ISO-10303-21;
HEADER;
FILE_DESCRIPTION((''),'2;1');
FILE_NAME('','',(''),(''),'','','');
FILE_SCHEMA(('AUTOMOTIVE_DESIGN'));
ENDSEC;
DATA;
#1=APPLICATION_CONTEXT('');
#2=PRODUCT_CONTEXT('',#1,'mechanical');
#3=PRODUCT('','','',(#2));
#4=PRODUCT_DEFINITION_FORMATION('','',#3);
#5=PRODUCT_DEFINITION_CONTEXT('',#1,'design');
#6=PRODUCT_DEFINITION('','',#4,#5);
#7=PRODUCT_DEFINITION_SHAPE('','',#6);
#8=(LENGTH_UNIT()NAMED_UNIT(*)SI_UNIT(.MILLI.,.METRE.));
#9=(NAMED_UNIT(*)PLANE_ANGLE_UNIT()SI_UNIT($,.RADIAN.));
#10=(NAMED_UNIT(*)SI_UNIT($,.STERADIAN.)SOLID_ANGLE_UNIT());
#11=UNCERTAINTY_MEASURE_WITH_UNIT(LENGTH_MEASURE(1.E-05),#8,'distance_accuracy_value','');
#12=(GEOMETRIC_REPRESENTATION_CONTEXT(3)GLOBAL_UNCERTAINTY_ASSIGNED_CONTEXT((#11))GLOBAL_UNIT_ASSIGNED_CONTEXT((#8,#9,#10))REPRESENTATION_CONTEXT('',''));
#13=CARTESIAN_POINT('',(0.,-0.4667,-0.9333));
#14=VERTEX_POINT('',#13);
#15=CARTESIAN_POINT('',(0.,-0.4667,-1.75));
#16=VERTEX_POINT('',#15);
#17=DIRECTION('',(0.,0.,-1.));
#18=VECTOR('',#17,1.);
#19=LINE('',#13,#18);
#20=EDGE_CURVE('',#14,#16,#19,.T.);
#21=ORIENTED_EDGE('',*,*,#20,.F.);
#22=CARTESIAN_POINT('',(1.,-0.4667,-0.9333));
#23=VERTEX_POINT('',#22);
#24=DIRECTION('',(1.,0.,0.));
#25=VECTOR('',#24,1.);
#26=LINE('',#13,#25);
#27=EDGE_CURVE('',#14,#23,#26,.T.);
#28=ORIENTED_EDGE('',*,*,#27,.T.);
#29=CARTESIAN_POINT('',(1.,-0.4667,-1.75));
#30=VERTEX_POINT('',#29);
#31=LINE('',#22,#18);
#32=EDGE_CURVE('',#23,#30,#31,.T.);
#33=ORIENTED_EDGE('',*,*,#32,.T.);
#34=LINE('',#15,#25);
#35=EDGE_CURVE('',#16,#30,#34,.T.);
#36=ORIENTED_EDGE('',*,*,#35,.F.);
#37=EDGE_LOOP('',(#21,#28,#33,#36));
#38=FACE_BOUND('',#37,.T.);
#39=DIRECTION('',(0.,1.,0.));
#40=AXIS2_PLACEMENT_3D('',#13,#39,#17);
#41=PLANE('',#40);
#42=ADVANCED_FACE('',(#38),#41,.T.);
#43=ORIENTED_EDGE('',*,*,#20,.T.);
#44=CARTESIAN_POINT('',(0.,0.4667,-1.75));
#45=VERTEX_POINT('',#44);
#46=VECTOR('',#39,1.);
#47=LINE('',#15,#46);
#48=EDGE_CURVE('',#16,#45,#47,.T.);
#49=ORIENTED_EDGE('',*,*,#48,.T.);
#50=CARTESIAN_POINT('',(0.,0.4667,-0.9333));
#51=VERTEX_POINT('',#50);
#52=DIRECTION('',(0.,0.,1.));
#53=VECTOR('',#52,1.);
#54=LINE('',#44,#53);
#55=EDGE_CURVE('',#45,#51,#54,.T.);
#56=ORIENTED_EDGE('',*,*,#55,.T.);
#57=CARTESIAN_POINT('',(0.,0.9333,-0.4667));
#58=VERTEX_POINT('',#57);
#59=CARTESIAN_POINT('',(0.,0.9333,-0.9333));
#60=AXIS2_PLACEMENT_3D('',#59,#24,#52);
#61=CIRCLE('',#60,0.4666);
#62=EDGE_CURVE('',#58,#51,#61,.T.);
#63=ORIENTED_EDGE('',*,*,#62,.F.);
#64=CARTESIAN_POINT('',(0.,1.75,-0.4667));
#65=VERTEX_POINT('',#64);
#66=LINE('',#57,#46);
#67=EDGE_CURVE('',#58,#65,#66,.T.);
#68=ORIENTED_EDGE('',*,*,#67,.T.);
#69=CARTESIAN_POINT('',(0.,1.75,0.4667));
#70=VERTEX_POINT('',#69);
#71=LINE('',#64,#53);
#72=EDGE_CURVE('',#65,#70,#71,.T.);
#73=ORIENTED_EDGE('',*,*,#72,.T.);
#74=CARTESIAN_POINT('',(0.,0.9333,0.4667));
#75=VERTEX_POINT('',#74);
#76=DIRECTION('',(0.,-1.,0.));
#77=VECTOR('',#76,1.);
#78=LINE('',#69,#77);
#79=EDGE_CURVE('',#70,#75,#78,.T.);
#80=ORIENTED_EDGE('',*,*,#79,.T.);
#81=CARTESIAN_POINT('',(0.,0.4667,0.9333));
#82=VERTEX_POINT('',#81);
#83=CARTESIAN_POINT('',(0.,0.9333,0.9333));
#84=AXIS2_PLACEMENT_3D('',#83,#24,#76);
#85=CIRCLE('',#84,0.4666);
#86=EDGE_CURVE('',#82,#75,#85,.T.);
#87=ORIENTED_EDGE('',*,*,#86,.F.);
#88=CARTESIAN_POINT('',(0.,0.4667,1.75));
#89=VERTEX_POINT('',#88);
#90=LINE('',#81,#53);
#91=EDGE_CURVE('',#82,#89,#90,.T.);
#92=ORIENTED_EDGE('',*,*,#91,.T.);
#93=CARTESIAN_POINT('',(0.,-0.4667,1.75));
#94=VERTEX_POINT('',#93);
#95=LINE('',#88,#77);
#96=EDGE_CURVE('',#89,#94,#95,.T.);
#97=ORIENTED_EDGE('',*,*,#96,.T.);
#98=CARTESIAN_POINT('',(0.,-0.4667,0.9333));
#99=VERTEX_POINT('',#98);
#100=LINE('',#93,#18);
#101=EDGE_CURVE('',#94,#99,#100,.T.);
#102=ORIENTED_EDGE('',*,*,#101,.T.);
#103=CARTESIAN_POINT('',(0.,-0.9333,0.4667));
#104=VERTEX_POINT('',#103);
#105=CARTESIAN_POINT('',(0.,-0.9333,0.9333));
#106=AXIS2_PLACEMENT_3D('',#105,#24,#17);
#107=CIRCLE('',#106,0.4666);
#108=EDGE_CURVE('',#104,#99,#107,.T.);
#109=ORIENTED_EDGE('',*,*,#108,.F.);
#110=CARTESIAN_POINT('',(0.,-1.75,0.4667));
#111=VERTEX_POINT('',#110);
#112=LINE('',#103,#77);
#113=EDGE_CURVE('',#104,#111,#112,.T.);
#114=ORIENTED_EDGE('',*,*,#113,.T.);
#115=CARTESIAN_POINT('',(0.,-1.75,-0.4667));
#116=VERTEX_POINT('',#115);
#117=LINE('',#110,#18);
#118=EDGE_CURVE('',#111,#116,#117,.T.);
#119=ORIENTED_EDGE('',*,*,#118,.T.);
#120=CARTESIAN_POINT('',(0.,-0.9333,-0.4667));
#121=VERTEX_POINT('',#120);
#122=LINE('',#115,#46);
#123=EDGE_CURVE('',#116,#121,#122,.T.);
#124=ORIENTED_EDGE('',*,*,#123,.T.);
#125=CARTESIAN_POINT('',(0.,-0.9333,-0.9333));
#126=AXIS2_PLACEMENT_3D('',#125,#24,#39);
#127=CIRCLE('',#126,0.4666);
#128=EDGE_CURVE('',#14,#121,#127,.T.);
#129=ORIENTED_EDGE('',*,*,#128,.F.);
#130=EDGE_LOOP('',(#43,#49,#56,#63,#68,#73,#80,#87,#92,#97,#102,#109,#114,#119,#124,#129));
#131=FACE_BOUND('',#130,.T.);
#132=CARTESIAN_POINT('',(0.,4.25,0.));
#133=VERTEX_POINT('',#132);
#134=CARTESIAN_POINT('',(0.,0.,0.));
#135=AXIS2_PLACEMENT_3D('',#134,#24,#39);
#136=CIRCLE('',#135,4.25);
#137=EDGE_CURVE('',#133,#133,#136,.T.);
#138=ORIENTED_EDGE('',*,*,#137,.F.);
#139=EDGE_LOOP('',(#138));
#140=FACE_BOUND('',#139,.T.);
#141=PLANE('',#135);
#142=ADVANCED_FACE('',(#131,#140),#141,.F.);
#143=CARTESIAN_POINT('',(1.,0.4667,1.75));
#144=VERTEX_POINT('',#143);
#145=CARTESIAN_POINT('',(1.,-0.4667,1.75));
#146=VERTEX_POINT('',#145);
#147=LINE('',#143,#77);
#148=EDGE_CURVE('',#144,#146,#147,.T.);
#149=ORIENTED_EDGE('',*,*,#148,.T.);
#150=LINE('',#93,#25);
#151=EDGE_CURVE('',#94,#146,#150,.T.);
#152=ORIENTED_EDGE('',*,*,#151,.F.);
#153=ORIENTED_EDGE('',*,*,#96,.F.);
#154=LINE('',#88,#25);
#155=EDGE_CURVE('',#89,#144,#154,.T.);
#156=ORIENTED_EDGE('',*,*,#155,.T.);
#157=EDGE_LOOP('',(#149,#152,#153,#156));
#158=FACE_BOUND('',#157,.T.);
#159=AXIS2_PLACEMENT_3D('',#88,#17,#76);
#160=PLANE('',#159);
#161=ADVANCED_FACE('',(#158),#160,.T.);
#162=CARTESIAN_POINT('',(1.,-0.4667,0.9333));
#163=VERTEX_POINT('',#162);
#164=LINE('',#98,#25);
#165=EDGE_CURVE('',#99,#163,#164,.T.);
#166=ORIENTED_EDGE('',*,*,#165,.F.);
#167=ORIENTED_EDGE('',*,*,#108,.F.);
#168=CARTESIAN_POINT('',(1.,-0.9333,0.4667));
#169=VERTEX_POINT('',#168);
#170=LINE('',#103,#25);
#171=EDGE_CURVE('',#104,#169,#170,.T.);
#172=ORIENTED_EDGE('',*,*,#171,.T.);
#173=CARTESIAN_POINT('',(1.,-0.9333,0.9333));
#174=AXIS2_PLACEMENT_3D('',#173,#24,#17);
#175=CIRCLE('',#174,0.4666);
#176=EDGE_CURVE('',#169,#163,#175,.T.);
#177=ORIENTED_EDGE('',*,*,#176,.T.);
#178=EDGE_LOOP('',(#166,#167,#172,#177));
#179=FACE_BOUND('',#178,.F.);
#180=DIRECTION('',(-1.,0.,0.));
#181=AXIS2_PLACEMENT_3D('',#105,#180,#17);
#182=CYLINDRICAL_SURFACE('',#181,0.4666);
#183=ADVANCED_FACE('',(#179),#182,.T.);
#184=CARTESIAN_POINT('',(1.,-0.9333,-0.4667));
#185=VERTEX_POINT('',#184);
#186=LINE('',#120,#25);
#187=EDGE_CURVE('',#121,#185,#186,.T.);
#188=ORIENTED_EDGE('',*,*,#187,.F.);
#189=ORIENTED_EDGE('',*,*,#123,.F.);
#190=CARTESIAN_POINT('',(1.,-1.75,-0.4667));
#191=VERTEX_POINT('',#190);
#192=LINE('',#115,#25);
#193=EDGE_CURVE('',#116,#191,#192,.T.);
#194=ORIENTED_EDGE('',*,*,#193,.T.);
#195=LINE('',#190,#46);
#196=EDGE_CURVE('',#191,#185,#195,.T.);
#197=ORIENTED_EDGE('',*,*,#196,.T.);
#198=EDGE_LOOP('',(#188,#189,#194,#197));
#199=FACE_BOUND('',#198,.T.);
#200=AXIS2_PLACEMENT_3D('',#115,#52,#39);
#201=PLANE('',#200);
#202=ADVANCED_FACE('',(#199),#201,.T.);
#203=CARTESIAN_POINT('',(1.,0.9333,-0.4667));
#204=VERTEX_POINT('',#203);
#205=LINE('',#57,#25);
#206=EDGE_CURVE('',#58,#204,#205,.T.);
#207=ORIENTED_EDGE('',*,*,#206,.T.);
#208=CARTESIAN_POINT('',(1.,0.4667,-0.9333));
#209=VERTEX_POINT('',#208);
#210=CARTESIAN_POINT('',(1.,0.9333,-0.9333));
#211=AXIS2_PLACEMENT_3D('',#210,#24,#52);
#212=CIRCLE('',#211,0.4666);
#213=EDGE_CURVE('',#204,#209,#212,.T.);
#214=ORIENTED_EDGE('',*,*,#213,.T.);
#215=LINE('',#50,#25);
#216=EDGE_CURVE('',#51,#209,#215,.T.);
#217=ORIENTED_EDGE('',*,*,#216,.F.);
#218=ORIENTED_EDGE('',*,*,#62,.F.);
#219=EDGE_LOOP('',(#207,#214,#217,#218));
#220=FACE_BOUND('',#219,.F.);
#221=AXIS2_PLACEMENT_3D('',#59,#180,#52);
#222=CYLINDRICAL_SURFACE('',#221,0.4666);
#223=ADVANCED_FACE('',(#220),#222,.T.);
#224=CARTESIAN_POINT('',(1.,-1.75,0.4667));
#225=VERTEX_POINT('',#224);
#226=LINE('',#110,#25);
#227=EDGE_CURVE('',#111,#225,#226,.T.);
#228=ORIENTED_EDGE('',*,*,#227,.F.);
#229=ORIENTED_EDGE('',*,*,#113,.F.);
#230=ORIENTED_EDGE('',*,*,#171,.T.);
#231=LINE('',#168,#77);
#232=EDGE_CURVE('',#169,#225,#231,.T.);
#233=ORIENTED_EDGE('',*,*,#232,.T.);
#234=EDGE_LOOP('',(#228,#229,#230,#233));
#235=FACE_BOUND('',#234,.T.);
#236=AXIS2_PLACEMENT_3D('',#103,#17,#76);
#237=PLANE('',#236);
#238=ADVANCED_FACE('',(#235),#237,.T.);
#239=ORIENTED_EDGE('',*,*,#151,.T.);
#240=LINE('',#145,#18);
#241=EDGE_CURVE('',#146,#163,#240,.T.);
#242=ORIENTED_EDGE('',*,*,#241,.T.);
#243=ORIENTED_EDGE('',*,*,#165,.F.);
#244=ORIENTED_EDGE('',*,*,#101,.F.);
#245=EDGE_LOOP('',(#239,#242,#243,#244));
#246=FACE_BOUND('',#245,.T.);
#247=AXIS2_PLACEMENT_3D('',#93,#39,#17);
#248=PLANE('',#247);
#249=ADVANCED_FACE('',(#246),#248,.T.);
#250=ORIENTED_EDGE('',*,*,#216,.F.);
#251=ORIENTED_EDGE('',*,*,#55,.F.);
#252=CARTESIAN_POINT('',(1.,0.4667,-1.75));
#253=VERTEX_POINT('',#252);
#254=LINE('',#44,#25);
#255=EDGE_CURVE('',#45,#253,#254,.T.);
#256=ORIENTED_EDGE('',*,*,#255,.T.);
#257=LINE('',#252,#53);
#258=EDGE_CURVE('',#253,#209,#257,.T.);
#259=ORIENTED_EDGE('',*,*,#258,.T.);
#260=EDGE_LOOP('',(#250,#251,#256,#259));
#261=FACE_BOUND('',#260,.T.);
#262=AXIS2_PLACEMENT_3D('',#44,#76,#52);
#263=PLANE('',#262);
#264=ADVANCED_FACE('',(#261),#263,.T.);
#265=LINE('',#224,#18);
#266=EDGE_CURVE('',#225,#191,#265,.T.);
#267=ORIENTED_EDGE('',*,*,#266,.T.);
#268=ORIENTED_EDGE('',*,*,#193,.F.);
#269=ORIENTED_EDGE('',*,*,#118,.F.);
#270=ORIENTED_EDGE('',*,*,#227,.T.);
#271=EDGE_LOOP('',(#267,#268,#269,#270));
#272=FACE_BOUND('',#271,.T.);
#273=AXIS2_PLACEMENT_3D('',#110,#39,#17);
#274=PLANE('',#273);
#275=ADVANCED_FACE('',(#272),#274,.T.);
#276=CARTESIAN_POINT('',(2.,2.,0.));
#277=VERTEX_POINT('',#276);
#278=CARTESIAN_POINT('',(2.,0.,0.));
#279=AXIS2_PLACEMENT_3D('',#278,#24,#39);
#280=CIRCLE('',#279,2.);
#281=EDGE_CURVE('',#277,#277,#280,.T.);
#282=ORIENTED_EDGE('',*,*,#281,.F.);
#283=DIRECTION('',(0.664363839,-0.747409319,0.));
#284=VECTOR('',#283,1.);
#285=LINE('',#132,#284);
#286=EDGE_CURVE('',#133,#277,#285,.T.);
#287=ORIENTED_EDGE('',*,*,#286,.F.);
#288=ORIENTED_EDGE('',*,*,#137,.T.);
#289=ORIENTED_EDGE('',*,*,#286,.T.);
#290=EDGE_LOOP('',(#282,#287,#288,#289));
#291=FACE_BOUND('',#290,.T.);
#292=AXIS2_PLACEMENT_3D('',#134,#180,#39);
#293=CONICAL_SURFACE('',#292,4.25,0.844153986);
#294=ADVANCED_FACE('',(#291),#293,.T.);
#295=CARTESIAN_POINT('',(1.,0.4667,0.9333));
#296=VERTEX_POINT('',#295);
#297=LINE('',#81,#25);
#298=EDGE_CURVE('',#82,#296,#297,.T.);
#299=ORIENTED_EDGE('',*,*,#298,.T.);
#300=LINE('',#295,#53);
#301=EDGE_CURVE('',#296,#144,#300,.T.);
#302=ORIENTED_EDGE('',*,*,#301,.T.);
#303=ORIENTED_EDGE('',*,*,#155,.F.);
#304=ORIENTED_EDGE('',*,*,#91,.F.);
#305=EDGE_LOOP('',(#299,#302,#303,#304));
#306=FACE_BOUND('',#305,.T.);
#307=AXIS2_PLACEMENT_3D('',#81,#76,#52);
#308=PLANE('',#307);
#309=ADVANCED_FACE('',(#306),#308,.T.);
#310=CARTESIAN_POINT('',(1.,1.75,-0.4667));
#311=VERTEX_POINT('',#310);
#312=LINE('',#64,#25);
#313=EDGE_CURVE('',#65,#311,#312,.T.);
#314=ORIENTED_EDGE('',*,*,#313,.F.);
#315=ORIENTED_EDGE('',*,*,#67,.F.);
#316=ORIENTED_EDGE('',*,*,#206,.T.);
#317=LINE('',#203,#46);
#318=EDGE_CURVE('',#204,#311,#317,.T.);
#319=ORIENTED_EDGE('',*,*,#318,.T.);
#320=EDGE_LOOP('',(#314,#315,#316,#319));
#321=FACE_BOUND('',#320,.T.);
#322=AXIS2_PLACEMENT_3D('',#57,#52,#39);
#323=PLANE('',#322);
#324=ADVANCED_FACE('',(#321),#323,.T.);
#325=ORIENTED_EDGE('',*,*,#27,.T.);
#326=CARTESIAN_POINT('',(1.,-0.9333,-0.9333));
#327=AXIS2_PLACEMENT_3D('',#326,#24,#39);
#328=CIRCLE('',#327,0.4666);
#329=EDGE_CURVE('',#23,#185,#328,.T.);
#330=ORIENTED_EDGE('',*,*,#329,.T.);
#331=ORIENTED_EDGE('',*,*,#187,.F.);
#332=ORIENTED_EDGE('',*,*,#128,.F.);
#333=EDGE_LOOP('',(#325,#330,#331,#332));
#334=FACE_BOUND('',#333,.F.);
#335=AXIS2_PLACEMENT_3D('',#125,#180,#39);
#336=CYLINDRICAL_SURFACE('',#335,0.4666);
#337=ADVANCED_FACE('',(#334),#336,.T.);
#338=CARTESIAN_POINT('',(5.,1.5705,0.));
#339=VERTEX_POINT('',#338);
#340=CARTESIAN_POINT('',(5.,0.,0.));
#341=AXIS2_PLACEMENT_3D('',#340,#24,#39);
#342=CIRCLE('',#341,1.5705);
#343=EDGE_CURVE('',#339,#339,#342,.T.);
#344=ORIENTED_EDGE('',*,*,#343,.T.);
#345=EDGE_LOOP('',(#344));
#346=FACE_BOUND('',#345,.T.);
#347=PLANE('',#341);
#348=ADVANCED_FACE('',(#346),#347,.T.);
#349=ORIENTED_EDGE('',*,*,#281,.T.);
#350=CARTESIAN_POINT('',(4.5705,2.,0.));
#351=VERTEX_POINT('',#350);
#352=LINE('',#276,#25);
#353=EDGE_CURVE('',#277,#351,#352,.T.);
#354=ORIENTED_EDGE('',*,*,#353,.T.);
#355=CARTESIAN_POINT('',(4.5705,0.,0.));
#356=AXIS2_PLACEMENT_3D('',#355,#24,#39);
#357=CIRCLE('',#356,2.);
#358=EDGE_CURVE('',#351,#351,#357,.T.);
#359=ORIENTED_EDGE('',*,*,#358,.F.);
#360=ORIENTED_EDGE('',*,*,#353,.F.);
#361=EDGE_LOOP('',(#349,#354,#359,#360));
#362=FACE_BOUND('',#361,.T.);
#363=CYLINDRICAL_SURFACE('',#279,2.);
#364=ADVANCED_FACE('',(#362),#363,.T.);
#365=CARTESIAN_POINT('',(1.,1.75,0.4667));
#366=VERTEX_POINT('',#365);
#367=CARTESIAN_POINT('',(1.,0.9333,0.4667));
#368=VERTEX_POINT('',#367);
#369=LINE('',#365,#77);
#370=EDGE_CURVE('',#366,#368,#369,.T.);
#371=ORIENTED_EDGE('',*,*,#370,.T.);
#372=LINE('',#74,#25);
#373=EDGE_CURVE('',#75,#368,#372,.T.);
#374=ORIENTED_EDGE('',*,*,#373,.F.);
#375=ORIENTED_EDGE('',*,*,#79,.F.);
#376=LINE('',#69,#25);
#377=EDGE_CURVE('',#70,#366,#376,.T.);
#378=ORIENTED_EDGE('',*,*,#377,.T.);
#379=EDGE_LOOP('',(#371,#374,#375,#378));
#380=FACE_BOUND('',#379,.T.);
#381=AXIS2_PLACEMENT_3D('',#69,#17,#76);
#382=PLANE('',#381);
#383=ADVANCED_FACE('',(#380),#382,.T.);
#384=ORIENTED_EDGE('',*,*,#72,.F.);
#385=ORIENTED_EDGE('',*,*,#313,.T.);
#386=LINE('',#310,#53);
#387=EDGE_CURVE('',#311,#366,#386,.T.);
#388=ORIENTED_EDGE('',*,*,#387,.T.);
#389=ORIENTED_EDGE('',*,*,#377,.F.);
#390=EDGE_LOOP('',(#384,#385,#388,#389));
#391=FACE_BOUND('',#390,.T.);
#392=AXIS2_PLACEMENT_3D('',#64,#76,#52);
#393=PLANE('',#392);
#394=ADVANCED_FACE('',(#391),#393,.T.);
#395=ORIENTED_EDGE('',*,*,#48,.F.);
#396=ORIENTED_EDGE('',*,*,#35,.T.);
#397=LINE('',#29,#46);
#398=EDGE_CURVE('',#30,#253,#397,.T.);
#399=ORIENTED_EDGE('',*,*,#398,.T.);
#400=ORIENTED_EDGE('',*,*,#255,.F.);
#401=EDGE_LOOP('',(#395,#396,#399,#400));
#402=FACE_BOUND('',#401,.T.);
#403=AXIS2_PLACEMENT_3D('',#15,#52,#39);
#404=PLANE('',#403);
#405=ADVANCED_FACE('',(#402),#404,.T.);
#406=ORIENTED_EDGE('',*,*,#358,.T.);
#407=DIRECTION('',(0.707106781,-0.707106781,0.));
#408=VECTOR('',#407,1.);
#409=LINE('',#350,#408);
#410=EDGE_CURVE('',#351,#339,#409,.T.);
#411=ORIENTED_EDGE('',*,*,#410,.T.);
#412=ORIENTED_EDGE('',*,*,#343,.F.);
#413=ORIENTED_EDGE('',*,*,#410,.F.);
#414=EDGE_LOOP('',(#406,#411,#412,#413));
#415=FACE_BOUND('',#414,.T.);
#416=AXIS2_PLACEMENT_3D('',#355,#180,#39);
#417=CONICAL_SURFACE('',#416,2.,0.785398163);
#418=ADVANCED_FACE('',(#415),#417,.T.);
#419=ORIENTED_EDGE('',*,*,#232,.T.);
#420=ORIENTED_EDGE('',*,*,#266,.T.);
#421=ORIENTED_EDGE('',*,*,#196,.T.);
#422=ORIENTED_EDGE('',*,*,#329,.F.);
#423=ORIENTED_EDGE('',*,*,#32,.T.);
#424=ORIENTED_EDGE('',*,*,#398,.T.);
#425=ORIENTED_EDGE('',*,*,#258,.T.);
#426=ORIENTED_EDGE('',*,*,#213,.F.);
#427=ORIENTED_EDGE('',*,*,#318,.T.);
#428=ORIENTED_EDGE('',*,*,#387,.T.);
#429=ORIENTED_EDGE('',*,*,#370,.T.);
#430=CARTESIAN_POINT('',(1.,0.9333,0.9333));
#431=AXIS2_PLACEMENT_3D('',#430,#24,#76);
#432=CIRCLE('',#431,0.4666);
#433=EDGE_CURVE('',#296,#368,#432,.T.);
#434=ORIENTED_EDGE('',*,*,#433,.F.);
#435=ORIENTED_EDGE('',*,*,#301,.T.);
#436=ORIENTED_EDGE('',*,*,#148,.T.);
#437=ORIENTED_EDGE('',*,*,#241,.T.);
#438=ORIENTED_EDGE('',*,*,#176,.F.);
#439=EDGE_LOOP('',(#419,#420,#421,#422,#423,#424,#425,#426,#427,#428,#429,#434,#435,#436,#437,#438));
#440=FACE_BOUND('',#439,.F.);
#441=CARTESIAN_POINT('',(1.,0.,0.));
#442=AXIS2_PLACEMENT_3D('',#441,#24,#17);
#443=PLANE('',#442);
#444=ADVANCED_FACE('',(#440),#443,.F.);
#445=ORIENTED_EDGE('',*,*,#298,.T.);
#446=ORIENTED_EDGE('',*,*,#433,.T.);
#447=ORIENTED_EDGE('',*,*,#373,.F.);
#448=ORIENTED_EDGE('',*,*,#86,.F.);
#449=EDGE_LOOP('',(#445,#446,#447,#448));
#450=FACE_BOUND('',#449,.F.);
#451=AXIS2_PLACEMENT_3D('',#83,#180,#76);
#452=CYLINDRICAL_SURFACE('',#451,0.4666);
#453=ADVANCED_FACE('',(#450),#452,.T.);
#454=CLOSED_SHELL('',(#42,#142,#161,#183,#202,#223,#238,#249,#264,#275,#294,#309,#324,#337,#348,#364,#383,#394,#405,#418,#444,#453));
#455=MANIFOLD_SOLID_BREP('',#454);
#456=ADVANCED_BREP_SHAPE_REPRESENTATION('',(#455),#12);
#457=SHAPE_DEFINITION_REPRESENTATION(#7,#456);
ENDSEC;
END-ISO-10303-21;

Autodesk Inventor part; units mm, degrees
sketch "Sketch_1" plane through (0, 0, 0) normal (0, 0, 1) x (1, 0, 0)
  line L0 (5, 0) -> (0, 0)
  line L1 (0, 0) -> (0, 4.25)
  line L2 (0, 4.25) -> (2, 2)
  line L3 (2, 2) -> (4.5705, 2)
  line L4 (4.5705, 2) -> (5, 1.5705)
  line L5 (5, 1.5705) -> (5, 0)
  line L6 (5, 0) -> (0, 0)
revolve "Revolution1" add sketch "Sketch_1" angle 360 about axis through (5, 0, 0) along (1, 0, 0)
thread "Thread1" size "M4x0.7" class "6g" standard "ISO Metric profile" length 1.8266
sketch "_____1" plane through (0, 0, 0) normal (1, 0, 0) x (0, 0, -1)
  line L0 (-1.75, 0.4667) -> (-1.75, -0.4667)
  line L1 (-1.75, -0.4667) -> (-0.9333, -0.4667)
  arc A0 (-0.4667, -0.9333) -> (-0.9333, -0.4667) centre (-0.9333, -0.9333) ccw
  line L2 (-0.4667, -0.9333) -> (-0.4667, -1.75)
  line L3 (-0.4667, -1.75) -> (0.4667, -1.75)
  line L4 (0.4667, -1.75) -> (0.4667, -0.9333)
  arc A1 (0.9333, -0.4667) -> (0.4667, -0.9333) centre (0.9333, -0.9333) ccw
  line L5 (0.9333, -0.4667) -> (1.75, -0.4667)
  line L6 (1.75, -0.4667) -> (1.75, 0.4667)
  line L7 (1.75, 0.4667) -> (0.9333, 0.4667)
  arc A2 (0.4667, 0.9333) -> (0.9333, 0.4667) centre (0.9333, 0.9333) ccw
  line L8 (0.4667, 0.9333) -> (0.4667, 1.75)
  line L9 (0.4667, 1.75) -> (-0.4667, 1.75)
  line L10 (-0.4667, 1.75) -> (-0.4667, 0.9333)
  arc A3 (-0.9333, 0.4667) -> (-0.4667, 0.9333) centre (-0.9333, 0.9333) ccw
  line L11 (-0.9333, 0.4667) -> (-1.75, 0.4667)
extrude "Extrusion1" cut sketch "_____1" along normal blind 1
ref_plane "screw_XY" through (2, 0, 0) normal (1, 0, 0) x (0, 0, -1)
ref_plane "screw_YZ" through (2, 0, 0) normal (0, 0, -1) x (0, 1, 0)
ref_plane "screw_ZX" through (2, 0, 0) normal (0, 1, 0) x (1, 0, 0)
properties part number "FBb4-5"
